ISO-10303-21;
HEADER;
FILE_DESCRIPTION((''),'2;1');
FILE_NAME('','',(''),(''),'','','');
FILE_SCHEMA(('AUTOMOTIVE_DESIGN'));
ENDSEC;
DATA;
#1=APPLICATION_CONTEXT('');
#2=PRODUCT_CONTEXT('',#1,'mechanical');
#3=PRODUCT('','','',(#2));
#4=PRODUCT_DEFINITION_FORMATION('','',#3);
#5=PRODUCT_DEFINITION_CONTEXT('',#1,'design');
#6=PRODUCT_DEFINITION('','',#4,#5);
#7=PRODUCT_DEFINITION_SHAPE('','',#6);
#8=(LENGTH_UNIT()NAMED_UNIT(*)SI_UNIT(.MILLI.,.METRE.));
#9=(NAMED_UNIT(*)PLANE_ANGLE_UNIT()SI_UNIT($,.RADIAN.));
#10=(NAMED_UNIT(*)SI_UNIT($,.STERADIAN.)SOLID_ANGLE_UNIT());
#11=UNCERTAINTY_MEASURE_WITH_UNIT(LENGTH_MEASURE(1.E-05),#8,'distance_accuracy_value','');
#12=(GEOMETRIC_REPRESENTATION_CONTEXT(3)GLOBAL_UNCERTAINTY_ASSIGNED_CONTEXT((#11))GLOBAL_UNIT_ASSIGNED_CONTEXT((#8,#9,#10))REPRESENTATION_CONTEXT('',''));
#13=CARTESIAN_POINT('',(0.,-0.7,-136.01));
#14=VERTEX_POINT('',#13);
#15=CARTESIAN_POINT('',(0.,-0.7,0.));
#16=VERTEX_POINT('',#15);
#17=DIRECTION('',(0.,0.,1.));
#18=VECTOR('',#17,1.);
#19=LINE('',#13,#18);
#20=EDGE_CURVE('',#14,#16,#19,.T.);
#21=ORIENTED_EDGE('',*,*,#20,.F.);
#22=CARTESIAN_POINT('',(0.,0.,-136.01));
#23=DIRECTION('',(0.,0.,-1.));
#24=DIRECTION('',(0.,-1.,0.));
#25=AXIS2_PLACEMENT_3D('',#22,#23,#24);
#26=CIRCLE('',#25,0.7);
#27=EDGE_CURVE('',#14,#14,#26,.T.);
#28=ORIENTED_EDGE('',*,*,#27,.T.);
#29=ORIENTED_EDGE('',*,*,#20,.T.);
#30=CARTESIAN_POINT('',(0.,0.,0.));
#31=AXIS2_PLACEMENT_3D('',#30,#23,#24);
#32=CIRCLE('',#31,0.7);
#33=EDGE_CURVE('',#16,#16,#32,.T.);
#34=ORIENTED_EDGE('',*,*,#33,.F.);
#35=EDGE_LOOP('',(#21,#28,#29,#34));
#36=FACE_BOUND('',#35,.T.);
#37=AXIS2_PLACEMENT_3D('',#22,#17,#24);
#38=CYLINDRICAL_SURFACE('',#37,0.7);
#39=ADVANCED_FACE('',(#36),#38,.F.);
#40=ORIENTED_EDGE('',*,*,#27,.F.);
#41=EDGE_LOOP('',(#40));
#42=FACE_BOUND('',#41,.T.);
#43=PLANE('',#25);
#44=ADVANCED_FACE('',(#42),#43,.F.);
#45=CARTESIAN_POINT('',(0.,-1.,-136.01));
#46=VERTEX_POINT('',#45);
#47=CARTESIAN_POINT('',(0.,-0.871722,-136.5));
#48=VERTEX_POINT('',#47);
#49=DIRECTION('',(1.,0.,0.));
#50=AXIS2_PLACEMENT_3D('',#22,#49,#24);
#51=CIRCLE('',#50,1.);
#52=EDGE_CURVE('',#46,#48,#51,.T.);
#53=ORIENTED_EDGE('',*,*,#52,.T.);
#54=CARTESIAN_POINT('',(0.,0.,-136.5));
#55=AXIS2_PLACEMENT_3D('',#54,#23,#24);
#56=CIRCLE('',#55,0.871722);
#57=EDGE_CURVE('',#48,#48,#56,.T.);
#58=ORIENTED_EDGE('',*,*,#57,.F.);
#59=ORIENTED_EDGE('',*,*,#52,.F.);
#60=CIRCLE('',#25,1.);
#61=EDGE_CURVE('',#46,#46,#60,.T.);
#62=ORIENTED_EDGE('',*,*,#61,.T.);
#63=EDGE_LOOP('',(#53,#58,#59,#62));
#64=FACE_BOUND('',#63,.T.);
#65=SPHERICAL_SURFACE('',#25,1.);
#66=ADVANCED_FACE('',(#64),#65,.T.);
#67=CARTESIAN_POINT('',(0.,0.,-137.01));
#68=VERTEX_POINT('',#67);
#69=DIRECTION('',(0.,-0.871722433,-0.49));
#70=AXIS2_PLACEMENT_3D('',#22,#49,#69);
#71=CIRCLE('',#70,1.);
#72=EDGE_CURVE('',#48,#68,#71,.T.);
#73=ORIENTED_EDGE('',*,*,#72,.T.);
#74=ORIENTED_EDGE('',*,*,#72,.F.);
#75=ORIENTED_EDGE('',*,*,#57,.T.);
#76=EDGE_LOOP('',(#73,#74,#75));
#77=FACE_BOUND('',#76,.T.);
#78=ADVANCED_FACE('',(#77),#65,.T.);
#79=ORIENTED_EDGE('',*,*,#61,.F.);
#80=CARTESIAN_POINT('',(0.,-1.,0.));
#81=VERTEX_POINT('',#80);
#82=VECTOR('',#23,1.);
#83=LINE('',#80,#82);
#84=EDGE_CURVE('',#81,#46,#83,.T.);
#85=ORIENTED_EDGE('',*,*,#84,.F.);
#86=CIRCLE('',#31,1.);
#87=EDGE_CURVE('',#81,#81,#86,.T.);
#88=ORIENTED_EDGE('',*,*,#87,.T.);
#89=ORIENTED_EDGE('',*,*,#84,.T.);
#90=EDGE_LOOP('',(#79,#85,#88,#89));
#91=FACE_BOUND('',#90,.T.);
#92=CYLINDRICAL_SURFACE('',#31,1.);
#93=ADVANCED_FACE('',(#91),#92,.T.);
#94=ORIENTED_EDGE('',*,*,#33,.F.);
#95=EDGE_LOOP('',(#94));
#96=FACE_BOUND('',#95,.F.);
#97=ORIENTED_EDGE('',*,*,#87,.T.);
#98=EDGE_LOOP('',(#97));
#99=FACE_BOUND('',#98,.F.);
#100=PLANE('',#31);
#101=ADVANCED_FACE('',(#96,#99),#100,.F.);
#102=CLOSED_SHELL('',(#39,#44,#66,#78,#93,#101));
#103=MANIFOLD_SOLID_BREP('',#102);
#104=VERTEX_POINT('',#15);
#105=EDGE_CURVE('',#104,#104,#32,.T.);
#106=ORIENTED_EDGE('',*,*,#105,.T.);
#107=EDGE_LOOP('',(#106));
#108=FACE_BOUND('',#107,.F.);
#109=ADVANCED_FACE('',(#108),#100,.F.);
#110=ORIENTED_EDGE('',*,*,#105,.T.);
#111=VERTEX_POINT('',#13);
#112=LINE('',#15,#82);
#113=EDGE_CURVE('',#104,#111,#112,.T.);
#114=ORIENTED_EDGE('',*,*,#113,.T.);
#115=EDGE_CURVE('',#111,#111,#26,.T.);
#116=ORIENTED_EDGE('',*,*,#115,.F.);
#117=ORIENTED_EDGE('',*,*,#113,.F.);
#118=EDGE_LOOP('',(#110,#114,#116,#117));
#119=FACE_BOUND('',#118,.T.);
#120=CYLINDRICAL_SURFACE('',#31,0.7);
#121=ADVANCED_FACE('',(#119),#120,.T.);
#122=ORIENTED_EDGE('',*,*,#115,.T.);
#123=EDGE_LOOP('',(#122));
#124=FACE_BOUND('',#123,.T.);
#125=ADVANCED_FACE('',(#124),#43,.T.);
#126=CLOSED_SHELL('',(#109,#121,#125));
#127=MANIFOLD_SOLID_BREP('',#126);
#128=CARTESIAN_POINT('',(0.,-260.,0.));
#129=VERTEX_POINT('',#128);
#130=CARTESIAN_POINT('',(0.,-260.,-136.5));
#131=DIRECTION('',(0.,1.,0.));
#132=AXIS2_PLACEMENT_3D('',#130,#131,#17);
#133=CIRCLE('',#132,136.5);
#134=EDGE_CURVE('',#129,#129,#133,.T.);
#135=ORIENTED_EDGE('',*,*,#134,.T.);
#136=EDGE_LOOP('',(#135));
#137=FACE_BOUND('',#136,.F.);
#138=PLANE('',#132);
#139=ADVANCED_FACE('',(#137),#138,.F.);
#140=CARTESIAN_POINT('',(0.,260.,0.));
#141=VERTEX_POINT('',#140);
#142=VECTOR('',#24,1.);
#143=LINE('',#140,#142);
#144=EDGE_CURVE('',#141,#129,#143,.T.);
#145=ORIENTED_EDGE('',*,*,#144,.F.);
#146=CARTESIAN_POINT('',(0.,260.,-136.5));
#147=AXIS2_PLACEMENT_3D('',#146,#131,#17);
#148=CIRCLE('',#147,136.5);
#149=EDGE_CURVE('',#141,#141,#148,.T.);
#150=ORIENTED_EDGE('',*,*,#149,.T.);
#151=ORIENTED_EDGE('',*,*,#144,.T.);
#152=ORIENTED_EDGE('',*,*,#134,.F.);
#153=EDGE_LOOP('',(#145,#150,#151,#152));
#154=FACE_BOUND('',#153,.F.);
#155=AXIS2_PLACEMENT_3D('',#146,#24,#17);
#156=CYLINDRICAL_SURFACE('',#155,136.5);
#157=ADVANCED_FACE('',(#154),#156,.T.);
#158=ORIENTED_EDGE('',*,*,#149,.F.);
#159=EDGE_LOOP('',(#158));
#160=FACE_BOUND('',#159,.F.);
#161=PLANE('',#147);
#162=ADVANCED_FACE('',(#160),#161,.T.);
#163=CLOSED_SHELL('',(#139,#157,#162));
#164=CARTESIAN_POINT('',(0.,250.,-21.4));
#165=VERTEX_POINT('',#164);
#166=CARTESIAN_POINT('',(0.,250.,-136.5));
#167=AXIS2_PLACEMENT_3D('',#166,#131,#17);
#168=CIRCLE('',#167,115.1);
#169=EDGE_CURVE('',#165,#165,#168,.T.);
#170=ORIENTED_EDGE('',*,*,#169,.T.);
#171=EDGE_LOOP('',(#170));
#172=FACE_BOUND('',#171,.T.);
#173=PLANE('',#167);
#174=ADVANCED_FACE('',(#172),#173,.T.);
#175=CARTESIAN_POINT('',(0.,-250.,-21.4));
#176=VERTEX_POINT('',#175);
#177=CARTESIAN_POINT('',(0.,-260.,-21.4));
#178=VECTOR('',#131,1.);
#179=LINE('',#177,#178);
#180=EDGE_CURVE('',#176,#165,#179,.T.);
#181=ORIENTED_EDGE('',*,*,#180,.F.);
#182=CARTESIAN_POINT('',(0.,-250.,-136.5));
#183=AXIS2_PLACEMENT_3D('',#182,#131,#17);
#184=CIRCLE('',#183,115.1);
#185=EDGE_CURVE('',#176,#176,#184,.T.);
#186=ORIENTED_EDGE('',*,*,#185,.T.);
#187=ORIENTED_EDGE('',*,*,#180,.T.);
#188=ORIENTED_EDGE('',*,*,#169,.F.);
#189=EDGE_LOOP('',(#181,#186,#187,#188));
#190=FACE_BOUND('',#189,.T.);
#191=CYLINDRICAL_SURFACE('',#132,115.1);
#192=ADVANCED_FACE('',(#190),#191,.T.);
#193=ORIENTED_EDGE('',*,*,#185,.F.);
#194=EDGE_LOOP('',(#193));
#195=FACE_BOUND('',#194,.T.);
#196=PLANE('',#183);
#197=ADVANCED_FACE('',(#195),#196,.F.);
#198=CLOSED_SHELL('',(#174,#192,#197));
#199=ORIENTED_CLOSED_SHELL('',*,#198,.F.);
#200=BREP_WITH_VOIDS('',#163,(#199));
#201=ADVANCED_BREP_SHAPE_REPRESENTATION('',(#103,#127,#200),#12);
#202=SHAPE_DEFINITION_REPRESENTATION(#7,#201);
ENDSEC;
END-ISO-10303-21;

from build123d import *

# Parameters (mm, degrees)
F0_W   = 0.3
F0_H   = 21.4
F0_W_2 = 0.7
F0_H_2 = 114.61
F0_W_3 = 10
F0_H_3 = 115.1
F0_W_4 = 249


with BuildPart() as f1:
    # F0 (on Right) → F1 (revolve)
    with BuildSketch(Plane.YZ):
        with BuildLine():
            Line((-0.7, -136.01), (-0.7, -21.4))
            Line((-0.7, -21.4), (-1, -21.4))
            Line((-1, -21.4), (-1, -136.01))
            ThreePointArc((-1, -136.01), (-0.9673992022, -136.2632563594), (-0.8717224329, -136.5))
            Line((-0.8717224329, -136.5), (0, -136.5))
            Line((0, -136.5), (0, -136.01))
            Line((0, -136.01), (-0.7, -136.01))
        make_face()
        with BuildLine():
            Line((0, -137.01), (0, -136.5))
            Line((0, -136.5), (-0.8717224329, -136.5))
            ThreePointArc((-0.8717224329, -136.5), (-0.5049752469, -136.8731338251), (0, -137.01))
        make_face()
        with Locations((-0.85, -10.7)):
            Rectangle(F0_W, F0_H)
    revolve(axis=Axis((0, 0, 263.5), (0, 0, -1)))


with BuildPart() as f2:
    # F0 (on Right) → F2 (revolve)
    with BuildSketch(Plane.YZ):
        with Locations((-0.35, -78.705)):
            Rectangle(F0_W_2, F0_H_2)
        with Locations((-0.35, -10.7)):
            Rectangle(F0_W_2, F0_H)
    revolve(axis=Axis((0, 0, 263.5), (0, 0, -1)))


with BuildPart() as f3:
    # F0 (on Right) → F3 (revolve)
    with BuildSketch(Plane.YZ):
        with Locations((255, -10.7)):
            Rectangle(F0_W_3, F0_H)
        with Locations((255, -78.95)):
            Rectangle(F0_W_3, F0_H_3)
        with Locations((125.5, -10.7)):
            Rectangle(F0_W_4, F0_H)
        with Locations((-125.5, -10.7)):
            Rectangle(F0_W_4, F0_H)
        with Locations((0.85, -10.7)):
            Rectangle(F0_W, F0_H)
        with Locations((-0.85, -10.7)):
            Rectangle(F0_W, F0_H)
        with Locations((0.35, -10.7)):
            Rectangle(F0_W_2, F0_H)
        with Locations((-0.35, -10.7)):
            Rectangle(F0_W_2, F0_H)
        with Locations((-255, -10.7)):
            Rectangle(F0_W_3, F0_H)
        with Locations((-255, -78.95)):
            Rectangle(F0_W_3, F0_H_3)
    revolve(axis=Axis((0, 0, -136.5), (0, 1, 0)))


solid = Compound([f1.part, f2.part, f3.part])
